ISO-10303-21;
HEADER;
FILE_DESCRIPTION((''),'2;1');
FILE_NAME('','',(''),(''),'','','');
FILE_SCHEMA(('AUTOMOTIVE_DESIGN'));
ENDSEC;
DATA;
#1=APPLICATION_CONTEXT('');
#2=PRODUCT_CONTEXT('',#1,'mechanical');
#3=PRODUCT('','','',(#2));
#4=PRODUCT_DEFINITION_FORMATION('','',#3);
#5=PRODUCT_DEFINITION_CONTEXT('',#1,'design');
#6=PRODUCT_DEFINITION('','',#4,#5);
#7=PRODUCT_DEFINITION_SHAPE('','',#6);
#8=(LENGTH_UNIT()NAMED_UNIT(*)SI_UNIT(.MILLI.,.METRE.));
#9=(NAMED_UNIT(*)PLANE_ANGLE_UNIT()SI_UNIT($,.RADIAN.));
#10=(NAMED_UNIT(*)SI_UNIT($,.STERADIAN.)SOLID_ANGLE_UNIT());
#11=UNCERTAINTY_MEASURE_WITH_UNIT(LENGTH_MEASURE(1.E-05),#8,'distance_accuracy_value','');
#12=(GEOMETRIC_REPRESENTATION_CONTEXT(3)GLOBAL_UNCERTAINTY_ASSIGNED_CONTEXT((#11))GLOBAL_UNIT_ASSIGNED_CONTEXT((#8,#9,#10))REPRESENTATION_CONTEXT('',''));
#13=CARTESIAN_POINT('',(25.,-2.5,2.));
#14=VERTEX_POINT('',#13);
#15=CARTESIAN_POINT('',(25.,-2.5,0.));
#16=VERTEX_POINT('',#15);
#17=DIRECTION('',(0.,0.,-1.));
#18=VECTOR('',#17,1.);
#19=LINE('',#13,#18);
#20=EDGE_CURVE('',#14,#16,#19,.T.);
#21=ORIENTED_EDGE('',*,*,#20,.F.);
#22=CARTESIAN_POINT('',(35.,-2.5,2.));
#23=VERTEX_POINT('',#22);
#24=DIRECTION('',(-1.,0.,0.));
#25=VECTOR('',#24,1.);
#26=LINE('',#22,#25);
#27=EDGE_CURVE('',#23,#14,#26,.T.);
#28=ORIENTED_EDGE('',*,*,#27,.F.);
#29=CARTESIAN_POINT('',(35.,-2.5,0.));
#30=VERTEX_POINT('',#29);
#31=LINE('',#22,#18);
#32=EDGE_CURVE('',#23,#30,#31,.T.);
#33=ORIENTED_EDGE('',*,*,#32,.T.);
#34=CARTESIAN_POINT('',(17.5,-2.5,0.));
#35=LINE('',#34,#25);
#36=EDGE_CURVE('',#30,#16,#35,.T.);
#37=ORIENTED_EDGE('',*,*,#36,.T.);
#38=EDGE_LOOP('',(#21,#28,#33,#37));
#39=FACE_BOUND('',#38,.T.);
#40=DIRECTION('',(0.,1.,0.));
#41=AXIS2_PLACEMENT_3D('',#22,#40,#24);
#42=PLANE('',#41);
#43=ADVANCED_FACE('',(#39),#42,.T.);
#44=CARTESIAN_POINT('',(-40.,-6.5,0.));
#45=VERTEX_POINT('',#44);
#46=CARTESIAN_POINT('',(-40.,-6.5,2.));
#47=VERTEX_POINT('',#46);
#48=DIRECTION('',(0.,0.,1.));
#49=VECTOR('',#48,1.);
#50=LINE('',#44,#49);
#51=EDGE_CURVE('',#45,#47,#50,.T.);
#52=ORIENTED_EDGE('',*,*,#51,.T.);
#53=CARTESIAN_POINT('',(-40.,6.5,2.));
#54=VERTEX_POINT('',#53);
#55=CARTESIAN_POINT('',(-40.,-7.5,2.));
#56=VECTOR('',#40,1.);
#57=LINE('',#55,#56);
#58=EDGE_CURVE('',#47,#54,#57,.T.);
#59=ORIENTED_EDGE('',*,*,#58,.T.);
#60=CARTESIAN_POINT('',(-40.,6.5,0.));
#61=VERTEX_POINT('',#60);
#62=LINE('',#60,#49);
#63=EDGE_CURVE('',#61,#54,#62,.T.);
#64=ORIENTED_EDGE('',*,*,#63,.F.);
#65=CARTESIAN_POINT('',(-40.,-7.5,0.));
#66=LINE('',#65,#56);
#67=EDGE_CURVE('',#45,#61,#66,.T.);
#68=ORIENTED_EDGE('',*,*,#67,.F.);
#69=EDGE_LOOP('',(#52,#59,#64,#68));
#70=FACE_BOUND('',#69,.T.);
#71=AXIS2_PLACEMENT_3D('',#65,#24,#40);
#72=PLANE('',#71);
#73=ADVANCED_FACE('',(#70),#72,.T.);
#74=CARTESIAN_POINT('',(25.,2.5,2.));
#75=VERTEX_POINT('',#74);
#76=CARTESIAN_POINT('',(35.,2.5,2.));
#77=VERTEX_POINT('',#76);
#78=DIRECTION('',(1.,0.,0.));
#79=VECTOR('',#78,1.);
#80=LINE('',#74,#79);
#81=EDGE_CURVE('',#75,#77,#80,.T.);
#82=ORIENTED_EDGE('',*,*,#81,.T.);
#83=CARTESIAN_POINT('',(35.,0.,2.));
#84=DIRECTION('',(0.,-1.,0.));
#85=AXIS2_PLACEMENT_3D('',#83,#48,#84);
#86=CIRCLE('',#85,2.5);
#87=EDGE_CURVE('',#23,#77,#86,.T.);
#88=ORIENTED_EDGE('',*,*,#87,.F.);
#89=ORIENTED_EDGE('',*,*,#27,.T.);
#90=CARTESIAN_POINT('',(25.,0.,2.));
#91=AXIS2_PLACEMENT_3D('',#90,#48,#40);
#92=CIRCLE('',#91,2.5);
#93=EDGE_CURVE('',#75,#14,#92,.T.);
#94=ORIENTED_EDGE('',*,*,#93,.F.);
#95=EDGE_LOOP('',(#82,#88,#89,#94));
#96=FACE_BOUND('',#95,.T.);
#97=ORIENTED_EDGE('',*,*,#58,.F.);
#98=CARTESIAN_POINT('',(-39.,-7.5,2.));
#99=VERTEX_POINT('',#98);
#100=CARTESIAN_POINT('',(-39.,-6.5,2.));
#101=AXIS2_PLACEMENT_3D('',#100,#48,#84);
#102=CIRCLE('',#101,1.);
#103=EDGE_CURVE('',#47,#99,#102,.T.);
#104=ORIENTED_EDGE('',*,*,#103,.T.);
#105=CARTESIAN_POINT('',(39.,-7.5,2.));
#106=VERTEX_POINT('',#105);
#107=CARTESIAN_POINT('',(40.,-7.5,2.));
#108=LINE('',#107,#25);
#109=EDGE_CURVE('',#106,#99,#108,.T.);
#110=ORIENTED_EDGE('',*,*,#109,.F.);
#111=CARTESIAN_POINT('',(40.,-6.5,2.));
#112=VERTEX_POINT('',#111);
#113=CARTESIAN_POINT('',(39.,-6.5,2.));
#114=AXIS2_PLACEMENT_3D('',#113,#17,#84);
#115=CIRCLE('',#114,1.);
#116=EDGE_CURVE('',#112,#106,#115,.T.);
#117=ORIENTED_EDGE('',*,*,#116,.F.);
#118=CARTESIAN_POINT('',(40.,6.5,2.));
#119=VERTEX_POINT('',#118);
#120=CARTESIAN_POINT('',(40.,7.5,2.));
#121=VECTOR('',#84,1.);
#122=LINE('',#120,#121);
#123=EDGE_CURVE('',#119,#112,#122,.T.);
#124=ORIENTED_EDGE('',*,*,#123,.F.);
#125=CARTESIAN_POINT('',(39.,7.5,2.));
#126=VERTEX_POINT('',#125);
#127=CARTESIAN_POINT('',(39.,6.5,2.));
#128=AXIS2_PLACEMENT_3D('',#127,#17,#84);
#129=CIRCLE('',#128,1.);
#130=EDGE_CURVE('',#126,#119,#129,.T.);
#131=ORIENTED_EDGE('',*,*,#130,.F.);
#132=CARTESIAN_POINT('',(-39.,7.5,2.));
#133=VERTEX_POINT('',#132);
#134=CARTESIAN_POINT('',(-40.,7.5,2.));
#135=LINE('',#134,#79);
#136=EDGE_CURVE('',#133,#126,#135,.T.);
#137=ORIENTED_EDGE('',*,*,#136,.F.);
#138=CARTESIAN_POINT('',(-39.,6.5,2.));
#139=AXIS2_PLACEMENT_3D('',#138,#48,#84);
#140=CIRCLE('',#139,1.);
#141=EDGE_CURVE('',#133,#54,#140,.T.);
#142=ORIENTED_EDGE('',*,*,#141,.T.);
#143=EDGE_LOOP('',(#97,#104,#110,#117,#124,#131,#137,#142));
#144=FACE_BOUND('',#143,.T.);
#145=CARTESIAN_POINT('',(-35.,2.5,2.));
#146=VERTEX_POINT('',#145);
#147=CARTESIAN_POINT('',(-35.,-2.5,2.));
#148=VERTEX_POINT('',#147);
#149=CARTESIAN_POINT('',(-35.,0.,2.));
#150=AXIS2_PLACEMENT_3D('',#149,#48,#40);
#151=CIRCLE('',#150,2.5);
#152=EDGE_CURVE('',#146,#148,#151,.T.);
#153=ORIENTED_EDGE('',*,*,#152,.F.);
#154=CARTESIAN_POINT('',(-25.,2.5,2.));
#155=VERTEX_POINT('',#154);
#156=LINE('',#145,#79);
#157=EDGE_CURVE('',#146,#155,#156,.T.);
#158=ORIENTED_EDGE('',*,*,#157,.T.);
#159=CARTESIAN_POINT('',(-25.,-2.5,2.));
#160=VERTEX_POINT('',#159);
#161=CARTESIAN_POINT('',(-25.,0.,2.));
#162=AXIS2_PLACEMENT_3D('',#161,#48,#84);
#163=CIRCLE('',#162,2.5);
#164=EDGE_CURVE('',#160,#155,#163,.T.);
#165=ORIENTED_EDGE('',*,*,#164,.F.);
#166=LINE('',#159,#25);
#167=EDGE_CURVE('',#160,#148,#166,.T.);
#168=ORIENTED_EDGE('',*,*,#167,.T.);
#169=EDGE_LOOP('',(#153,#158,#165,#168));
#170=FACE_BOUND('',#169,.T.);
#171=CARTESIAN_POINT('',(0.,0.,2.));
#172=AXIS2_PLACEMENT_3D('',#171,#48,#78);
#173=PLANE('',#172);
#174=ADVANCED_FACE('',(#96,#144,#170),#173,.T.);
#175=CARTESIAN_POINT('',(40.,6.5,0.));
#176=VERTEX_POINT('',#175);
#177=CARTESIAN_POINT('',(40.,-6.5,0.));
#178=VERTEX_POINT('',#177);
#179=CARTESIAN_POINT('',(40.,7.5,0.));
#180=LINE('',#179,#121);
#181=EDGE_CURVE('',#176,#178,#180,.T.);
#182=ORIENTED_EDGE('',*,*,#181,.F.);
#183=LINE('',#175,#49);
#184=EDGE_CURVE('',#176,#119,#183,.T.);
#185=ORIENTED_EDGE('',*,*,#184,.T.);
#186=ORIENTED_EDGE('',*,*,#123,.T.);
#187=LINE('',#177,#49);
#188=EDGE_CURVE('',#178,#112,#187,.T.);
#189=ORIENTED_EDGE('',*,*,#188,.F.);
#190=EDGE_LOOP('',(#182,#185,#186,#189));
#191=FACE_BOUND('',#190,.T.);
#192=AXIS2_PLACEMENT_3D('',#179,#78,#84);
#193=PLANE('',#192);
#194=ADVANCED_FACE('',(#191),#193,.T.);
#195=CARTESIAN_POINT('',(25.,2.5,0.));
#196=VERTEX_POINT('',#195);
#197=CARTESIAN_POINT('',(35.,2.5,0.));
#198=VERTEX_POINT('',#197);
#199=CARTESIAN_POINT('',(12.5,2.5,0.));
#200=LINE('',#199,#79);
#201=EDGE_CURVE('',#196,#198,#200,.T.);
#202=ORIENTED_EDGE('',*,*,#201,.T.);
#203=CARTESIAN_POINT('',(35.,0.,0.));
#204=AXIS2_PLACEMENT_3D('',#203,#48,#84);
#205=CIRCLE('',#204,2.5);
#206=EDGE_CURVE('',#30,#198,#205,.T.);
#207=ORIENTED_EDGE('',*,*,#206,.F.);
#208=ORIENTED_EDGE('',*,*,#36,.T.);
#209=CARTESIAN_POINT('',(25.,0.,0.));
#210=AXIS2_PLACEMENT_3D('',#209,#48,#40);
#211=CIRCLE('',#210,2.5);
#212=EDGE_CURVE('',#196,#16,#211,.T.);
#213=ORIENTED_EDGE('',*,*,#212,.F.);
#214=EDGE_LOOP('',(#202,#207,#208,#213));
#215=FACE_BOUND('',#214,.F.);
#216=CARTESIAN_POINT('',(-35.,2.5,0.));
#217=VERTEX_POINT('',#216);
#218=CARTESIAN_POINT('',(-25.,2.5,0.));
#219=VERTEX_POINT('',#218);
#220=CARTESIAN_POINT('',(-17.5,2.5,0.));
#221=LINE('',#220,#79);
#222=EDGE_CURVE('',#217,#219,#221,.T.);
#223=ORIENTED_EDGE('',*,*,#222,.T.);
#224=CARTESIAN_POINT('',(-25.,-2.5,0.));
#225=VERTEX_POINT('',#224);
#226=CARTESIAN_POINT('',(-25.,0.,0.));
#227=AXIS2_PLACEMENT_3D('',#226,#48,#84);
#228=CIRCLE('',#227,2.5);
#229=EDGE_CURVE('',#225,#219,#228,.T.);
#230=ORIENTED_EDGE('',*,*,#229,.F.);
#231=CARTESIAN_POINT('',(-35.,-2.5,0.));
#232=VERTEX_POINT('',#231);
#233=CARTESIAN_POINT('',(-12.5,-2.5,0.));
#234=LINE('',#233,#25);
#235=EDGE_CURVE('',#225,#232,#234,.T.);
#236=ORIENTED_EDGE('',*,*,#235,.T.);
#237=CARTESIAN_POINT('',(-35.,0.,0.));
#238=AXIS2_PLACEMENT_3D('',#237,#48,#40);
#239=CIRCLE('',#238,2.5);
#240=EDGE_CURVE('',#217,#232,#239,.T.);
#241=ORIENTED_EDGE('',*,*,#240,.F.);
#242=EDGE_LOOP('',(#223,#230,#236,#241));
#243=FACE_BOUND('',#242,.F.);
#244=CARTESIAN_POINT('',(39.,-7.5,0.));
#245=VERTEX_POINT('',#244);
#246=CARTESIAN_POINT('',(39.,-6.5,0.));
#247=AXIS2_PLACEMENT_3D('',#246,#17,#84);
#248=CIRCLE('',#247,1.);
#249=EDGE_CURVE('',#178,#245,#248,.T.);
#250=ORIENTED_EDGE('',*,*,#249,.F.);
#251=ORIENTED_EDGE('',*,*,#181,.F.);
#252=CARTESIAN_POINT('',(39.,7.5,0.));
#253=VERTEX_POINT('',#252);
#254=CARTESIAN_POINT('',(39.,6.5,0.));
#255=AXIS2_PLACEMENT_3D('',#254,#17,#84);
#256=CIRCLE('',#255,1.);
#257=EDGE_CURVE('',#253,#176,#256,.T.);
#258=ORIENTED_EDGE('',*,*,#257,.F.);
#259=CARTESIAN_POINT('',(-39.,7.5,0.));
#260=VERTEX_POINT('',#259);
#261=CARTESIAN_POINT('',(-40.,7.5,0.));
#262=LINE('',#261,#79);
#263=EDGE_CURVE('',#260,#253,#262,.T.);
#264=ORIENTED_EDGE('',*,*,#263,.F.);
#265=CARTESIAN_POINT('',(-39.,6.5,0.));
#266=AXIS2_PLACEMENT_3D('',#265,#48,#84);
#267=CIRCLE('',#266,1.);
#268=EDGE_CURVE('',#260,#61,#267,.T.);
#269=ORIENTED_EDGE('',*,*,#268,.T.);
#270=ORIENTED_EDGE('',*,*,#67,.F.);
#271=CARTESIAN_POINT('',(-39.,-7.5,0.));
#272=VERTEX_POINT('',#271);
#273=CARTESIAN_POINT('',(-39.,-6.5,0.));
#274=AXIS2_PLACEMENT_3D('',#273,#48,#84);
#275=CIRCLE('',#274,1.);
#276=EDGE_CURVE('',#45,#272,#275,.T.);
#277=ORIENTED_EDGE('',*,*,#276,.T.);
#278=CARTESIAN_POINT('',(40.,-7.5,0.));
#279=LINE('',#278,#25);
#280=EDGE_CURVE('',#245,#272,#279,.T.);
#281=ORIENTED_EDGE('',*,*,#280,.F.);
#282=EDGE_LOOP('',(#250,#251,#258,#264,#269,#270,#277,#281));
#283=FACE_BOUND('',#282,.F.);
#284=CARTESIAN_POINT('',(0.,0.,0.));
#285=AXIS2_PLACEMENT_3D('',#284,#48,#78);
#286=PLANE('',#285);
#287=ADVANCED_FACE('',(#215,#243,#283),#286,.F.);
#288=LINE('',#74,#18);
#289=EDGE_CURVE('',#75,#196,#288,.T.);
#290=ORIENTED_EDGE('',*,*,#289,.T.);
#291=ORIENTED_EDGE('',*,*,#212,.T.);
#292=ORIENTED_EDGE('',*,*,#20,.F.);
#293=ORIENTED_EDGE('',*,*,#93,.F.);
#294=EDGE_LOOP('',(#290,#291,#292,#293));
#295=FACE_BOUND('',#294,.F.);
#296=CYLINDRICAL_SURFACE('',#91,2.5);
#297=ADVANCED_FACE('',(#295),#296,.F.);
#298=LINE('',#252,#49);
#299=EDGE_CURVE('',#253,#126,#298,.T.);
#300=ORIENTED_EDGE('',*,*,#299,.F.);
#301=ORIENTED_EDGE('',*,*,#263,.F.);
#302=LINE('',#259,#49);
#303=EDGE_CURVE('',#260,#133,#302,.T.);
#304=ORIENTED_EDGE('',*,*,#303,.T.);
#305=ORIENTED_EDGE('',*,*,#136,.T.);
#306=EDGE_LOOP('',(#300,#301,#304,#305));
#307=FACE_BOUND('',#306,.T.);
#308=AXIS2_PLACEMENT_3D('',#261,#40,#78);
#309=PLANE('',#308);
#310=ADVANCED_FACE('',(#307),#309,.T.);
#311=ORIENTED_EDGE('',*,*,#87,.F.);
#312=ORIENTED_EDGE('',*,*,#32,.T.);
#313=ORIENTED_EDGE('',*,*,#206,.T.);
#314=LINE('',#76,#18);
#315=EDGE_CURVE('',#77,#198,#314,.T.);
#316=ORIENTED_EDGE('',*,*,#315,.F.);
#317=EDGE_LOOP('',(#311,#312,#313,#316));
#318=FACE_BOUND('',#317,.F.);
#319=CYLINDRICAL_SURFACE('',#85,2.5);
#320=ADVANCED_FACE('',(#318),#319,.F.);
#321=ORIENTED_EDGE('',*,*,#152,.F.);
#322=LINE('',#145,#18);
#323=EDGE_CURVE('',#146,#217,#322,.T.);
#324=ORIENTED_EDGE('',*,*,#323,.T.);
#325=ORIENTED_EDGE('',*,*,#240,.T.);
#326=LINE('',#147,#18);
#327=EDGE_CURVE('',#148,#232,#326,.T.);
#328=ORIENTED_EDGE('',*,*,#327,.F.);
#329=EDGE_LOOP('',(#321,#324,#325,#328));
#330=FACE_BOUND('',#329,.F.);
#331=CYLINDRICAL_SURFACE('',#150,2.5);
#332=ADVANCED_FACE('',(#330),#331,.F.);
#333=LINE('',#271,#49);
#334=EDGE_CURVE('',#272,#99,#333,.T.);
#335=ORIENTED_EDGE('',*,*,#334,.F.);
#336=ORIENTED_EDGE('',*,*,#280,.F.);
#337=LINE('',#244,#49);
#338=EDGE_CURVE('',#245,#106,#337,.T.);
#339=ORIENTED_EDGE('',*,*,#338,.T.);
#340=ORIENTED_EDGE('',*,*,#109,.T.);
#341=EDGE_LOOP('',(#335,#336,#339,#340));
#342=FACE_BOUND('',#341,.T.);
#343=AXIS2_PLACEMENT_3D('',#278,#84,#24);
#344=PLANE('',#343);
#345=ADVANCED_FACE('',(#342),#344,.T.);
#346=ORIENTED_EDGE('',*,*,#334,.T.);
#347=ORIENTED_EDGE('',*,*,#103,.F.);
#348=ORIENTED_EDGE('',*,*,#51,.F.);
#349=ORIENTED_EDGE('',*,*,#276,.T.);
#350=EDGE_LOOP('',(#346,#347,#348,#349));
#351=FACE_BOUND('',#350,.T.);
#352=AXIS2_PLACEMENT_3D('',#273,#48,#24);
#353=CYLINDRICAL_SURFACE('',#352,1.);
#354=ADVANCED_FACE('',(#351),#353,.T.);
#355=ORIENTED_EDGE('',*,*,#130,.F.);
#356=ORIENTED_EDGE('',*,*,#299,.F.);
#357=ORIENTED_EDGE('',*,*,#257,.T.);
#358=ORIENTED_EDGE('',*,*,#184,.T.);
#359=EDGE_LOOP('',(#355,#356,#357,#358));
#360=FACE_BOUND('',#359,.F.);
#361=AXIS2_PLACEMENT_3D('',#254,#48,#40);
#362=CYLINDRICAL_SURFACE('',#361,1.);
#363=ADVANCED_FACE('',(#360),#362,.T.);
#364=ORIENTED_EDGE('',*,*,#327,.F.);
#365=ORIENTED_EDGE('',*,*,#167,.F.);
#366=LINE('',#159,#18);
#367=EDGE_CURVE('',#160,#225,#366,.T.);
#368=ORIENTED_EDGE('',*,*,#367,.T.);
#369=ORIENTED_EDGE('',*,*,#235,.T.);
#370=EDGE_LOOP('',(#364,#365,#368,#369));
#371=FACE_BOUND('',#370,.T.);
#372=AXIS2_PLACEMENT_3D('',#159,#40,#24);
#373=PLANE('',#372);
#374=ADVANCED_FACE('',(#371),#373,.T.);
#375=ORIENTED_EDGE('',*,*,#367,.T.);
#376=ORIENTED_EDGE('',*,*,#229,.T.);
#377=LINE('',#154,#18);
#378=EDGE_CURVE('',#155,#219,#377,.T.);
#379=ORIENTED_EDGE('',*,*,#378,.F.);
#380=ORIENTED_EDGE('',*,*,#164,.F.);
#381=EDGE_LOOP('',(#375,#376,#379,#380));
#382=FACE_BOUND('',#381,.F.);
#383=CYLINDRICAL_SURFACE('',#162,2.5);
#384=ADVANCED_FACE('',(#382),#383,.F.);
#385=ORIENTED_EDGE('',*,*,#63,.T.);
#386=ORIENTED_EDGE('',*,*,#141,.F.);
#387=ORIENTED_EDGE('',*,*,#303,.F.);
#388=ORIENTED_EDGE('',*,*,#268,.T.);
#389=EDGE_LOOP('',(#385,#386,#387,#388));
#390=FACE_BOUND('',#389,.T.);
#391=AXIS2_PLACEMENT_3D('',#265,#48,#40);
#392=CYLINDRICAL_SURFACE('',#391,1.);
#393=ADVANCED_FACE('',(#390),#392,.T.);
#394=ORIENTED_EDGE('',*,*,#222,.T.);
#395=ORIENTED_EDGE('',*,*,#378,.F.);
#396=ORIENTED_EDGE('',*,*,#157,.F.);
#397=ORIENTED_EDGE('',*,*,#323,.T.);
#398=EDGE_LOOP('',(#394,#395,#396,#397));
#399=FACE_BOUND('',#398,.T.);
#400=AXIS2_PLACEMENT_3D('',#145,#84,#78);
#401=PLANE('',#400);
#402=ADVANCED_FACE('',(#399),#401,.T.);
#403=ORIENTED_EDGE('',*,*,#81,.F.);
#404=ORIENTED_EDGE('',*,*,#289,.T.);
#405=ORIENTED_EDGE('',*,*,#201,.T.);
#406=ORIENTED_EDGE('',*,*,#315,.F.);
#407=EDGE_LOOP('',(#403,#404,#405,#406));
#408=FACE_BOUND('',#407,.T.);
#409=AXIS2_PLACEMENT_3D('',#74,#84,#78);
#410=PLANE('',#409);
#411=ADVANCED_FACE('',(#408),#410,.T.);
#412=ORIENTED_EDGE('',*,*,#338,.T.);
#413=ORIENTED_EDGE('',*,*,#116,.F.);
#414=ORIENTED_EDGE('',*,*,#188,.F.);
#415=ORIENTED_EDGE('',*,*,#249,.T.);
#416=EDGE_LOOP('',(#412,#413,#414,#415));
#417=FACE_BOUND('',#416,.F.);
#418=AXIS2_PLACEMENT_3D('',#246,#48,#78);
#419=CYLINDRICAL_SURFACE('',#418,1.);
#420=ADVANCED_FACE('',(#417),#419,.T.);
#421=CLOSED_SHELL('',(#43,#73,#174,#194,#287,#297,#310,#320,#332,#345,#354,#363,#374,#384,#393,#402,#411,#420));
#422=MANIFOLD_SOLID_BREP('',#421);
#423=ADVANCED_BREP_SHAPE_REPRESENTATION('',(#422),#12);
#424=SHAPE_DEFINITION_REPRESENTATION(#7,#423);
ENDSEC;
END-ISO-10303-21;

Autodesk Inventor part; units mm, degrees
ref_plane "YZ Plane" through (0, 0, 0) normal (1, 0, 0) x (0, 1, 0)
ref_plane "XZ Plane" through (0, 0, 0) normal (0, 1, 0) x (-1, 0, 0)
ref_plane "XY Plane" through (0, 0, 0) normal (0, 0, 1) x (1, 0, 0)
sketch "Sketch1" plane through (0, 0, 0) normal (0, 0, 1) x (1, 0, 0)
  line L0 (-40, 7.5) -> (40, 7.5)
  line L1 (40, 7.5) -> (40, -7.5)
  line L2 (40, -7.5) -> (-40, -7.5)
  line L3 (-40, -7.5) -> (-40, 7.5)
  point P0 (0, 0)
  dimension "d0" = 80
  dimension "d1" = 15
  dimension "d2" = 40
  dimension "d3" = 7.5
extrude "Extrusion1" add sketch "Sketch1" along normal blind 2
sketch "Sketch2" plane through (0, 0, 2) normal (0, 0, 1) x (1, 0, 0)
  line L0 (-40, 7.5) -> (40, 7.5) projected
  line L1 (-40, -7.5) -> (-40, 7.5) projected
  arc A0 (-35, 2.5) -> (-35, -2.5) centre (-35, 0) ccw
  arc A1 (-25, -2.5) -> (-25, 2.5) centre (-25, 0) ccw
  line L2 (-35, 2.5) -> (-25, 2.5)
  line L3 (-25, -2.5) -> (-35, -2.5)
  arc A2 (25, 2.5) -> (25, -2.5) centre (25, 0) ccw
  arc A3 (35, -2.5) -> (35, 2.5) centre (35, 0) ccw
  line L4 (25, 2.5) -> (35, 2.5)
  line L5 (35, -2.5) -> (25, -2.5)
  point P0 (0, 0)
  dimension "d6" = 5
  dimension "d7" = 5
  dimension "d8" = 10
  dimension "d9" = 5
  dimension "d10" = 7.5
  dimension "d11" = 7.5
  dimension "d12" = 5
  dimension "d15" = 60
extrude "Extrusion2" cut sketch "Sketch2" against normal through all
fillet "Fillet1" radius 1 4 edges at (-40, 7.5, 1) (-40, -7.5, 1) (40, -7.5, 1) (40, 7.5, 1)
equation "\"d2\" = 0.5 * d0"
equation "\"d3\" = 0.5 * d1"
properties part number "SM-TM2" material "UHMW, White"
